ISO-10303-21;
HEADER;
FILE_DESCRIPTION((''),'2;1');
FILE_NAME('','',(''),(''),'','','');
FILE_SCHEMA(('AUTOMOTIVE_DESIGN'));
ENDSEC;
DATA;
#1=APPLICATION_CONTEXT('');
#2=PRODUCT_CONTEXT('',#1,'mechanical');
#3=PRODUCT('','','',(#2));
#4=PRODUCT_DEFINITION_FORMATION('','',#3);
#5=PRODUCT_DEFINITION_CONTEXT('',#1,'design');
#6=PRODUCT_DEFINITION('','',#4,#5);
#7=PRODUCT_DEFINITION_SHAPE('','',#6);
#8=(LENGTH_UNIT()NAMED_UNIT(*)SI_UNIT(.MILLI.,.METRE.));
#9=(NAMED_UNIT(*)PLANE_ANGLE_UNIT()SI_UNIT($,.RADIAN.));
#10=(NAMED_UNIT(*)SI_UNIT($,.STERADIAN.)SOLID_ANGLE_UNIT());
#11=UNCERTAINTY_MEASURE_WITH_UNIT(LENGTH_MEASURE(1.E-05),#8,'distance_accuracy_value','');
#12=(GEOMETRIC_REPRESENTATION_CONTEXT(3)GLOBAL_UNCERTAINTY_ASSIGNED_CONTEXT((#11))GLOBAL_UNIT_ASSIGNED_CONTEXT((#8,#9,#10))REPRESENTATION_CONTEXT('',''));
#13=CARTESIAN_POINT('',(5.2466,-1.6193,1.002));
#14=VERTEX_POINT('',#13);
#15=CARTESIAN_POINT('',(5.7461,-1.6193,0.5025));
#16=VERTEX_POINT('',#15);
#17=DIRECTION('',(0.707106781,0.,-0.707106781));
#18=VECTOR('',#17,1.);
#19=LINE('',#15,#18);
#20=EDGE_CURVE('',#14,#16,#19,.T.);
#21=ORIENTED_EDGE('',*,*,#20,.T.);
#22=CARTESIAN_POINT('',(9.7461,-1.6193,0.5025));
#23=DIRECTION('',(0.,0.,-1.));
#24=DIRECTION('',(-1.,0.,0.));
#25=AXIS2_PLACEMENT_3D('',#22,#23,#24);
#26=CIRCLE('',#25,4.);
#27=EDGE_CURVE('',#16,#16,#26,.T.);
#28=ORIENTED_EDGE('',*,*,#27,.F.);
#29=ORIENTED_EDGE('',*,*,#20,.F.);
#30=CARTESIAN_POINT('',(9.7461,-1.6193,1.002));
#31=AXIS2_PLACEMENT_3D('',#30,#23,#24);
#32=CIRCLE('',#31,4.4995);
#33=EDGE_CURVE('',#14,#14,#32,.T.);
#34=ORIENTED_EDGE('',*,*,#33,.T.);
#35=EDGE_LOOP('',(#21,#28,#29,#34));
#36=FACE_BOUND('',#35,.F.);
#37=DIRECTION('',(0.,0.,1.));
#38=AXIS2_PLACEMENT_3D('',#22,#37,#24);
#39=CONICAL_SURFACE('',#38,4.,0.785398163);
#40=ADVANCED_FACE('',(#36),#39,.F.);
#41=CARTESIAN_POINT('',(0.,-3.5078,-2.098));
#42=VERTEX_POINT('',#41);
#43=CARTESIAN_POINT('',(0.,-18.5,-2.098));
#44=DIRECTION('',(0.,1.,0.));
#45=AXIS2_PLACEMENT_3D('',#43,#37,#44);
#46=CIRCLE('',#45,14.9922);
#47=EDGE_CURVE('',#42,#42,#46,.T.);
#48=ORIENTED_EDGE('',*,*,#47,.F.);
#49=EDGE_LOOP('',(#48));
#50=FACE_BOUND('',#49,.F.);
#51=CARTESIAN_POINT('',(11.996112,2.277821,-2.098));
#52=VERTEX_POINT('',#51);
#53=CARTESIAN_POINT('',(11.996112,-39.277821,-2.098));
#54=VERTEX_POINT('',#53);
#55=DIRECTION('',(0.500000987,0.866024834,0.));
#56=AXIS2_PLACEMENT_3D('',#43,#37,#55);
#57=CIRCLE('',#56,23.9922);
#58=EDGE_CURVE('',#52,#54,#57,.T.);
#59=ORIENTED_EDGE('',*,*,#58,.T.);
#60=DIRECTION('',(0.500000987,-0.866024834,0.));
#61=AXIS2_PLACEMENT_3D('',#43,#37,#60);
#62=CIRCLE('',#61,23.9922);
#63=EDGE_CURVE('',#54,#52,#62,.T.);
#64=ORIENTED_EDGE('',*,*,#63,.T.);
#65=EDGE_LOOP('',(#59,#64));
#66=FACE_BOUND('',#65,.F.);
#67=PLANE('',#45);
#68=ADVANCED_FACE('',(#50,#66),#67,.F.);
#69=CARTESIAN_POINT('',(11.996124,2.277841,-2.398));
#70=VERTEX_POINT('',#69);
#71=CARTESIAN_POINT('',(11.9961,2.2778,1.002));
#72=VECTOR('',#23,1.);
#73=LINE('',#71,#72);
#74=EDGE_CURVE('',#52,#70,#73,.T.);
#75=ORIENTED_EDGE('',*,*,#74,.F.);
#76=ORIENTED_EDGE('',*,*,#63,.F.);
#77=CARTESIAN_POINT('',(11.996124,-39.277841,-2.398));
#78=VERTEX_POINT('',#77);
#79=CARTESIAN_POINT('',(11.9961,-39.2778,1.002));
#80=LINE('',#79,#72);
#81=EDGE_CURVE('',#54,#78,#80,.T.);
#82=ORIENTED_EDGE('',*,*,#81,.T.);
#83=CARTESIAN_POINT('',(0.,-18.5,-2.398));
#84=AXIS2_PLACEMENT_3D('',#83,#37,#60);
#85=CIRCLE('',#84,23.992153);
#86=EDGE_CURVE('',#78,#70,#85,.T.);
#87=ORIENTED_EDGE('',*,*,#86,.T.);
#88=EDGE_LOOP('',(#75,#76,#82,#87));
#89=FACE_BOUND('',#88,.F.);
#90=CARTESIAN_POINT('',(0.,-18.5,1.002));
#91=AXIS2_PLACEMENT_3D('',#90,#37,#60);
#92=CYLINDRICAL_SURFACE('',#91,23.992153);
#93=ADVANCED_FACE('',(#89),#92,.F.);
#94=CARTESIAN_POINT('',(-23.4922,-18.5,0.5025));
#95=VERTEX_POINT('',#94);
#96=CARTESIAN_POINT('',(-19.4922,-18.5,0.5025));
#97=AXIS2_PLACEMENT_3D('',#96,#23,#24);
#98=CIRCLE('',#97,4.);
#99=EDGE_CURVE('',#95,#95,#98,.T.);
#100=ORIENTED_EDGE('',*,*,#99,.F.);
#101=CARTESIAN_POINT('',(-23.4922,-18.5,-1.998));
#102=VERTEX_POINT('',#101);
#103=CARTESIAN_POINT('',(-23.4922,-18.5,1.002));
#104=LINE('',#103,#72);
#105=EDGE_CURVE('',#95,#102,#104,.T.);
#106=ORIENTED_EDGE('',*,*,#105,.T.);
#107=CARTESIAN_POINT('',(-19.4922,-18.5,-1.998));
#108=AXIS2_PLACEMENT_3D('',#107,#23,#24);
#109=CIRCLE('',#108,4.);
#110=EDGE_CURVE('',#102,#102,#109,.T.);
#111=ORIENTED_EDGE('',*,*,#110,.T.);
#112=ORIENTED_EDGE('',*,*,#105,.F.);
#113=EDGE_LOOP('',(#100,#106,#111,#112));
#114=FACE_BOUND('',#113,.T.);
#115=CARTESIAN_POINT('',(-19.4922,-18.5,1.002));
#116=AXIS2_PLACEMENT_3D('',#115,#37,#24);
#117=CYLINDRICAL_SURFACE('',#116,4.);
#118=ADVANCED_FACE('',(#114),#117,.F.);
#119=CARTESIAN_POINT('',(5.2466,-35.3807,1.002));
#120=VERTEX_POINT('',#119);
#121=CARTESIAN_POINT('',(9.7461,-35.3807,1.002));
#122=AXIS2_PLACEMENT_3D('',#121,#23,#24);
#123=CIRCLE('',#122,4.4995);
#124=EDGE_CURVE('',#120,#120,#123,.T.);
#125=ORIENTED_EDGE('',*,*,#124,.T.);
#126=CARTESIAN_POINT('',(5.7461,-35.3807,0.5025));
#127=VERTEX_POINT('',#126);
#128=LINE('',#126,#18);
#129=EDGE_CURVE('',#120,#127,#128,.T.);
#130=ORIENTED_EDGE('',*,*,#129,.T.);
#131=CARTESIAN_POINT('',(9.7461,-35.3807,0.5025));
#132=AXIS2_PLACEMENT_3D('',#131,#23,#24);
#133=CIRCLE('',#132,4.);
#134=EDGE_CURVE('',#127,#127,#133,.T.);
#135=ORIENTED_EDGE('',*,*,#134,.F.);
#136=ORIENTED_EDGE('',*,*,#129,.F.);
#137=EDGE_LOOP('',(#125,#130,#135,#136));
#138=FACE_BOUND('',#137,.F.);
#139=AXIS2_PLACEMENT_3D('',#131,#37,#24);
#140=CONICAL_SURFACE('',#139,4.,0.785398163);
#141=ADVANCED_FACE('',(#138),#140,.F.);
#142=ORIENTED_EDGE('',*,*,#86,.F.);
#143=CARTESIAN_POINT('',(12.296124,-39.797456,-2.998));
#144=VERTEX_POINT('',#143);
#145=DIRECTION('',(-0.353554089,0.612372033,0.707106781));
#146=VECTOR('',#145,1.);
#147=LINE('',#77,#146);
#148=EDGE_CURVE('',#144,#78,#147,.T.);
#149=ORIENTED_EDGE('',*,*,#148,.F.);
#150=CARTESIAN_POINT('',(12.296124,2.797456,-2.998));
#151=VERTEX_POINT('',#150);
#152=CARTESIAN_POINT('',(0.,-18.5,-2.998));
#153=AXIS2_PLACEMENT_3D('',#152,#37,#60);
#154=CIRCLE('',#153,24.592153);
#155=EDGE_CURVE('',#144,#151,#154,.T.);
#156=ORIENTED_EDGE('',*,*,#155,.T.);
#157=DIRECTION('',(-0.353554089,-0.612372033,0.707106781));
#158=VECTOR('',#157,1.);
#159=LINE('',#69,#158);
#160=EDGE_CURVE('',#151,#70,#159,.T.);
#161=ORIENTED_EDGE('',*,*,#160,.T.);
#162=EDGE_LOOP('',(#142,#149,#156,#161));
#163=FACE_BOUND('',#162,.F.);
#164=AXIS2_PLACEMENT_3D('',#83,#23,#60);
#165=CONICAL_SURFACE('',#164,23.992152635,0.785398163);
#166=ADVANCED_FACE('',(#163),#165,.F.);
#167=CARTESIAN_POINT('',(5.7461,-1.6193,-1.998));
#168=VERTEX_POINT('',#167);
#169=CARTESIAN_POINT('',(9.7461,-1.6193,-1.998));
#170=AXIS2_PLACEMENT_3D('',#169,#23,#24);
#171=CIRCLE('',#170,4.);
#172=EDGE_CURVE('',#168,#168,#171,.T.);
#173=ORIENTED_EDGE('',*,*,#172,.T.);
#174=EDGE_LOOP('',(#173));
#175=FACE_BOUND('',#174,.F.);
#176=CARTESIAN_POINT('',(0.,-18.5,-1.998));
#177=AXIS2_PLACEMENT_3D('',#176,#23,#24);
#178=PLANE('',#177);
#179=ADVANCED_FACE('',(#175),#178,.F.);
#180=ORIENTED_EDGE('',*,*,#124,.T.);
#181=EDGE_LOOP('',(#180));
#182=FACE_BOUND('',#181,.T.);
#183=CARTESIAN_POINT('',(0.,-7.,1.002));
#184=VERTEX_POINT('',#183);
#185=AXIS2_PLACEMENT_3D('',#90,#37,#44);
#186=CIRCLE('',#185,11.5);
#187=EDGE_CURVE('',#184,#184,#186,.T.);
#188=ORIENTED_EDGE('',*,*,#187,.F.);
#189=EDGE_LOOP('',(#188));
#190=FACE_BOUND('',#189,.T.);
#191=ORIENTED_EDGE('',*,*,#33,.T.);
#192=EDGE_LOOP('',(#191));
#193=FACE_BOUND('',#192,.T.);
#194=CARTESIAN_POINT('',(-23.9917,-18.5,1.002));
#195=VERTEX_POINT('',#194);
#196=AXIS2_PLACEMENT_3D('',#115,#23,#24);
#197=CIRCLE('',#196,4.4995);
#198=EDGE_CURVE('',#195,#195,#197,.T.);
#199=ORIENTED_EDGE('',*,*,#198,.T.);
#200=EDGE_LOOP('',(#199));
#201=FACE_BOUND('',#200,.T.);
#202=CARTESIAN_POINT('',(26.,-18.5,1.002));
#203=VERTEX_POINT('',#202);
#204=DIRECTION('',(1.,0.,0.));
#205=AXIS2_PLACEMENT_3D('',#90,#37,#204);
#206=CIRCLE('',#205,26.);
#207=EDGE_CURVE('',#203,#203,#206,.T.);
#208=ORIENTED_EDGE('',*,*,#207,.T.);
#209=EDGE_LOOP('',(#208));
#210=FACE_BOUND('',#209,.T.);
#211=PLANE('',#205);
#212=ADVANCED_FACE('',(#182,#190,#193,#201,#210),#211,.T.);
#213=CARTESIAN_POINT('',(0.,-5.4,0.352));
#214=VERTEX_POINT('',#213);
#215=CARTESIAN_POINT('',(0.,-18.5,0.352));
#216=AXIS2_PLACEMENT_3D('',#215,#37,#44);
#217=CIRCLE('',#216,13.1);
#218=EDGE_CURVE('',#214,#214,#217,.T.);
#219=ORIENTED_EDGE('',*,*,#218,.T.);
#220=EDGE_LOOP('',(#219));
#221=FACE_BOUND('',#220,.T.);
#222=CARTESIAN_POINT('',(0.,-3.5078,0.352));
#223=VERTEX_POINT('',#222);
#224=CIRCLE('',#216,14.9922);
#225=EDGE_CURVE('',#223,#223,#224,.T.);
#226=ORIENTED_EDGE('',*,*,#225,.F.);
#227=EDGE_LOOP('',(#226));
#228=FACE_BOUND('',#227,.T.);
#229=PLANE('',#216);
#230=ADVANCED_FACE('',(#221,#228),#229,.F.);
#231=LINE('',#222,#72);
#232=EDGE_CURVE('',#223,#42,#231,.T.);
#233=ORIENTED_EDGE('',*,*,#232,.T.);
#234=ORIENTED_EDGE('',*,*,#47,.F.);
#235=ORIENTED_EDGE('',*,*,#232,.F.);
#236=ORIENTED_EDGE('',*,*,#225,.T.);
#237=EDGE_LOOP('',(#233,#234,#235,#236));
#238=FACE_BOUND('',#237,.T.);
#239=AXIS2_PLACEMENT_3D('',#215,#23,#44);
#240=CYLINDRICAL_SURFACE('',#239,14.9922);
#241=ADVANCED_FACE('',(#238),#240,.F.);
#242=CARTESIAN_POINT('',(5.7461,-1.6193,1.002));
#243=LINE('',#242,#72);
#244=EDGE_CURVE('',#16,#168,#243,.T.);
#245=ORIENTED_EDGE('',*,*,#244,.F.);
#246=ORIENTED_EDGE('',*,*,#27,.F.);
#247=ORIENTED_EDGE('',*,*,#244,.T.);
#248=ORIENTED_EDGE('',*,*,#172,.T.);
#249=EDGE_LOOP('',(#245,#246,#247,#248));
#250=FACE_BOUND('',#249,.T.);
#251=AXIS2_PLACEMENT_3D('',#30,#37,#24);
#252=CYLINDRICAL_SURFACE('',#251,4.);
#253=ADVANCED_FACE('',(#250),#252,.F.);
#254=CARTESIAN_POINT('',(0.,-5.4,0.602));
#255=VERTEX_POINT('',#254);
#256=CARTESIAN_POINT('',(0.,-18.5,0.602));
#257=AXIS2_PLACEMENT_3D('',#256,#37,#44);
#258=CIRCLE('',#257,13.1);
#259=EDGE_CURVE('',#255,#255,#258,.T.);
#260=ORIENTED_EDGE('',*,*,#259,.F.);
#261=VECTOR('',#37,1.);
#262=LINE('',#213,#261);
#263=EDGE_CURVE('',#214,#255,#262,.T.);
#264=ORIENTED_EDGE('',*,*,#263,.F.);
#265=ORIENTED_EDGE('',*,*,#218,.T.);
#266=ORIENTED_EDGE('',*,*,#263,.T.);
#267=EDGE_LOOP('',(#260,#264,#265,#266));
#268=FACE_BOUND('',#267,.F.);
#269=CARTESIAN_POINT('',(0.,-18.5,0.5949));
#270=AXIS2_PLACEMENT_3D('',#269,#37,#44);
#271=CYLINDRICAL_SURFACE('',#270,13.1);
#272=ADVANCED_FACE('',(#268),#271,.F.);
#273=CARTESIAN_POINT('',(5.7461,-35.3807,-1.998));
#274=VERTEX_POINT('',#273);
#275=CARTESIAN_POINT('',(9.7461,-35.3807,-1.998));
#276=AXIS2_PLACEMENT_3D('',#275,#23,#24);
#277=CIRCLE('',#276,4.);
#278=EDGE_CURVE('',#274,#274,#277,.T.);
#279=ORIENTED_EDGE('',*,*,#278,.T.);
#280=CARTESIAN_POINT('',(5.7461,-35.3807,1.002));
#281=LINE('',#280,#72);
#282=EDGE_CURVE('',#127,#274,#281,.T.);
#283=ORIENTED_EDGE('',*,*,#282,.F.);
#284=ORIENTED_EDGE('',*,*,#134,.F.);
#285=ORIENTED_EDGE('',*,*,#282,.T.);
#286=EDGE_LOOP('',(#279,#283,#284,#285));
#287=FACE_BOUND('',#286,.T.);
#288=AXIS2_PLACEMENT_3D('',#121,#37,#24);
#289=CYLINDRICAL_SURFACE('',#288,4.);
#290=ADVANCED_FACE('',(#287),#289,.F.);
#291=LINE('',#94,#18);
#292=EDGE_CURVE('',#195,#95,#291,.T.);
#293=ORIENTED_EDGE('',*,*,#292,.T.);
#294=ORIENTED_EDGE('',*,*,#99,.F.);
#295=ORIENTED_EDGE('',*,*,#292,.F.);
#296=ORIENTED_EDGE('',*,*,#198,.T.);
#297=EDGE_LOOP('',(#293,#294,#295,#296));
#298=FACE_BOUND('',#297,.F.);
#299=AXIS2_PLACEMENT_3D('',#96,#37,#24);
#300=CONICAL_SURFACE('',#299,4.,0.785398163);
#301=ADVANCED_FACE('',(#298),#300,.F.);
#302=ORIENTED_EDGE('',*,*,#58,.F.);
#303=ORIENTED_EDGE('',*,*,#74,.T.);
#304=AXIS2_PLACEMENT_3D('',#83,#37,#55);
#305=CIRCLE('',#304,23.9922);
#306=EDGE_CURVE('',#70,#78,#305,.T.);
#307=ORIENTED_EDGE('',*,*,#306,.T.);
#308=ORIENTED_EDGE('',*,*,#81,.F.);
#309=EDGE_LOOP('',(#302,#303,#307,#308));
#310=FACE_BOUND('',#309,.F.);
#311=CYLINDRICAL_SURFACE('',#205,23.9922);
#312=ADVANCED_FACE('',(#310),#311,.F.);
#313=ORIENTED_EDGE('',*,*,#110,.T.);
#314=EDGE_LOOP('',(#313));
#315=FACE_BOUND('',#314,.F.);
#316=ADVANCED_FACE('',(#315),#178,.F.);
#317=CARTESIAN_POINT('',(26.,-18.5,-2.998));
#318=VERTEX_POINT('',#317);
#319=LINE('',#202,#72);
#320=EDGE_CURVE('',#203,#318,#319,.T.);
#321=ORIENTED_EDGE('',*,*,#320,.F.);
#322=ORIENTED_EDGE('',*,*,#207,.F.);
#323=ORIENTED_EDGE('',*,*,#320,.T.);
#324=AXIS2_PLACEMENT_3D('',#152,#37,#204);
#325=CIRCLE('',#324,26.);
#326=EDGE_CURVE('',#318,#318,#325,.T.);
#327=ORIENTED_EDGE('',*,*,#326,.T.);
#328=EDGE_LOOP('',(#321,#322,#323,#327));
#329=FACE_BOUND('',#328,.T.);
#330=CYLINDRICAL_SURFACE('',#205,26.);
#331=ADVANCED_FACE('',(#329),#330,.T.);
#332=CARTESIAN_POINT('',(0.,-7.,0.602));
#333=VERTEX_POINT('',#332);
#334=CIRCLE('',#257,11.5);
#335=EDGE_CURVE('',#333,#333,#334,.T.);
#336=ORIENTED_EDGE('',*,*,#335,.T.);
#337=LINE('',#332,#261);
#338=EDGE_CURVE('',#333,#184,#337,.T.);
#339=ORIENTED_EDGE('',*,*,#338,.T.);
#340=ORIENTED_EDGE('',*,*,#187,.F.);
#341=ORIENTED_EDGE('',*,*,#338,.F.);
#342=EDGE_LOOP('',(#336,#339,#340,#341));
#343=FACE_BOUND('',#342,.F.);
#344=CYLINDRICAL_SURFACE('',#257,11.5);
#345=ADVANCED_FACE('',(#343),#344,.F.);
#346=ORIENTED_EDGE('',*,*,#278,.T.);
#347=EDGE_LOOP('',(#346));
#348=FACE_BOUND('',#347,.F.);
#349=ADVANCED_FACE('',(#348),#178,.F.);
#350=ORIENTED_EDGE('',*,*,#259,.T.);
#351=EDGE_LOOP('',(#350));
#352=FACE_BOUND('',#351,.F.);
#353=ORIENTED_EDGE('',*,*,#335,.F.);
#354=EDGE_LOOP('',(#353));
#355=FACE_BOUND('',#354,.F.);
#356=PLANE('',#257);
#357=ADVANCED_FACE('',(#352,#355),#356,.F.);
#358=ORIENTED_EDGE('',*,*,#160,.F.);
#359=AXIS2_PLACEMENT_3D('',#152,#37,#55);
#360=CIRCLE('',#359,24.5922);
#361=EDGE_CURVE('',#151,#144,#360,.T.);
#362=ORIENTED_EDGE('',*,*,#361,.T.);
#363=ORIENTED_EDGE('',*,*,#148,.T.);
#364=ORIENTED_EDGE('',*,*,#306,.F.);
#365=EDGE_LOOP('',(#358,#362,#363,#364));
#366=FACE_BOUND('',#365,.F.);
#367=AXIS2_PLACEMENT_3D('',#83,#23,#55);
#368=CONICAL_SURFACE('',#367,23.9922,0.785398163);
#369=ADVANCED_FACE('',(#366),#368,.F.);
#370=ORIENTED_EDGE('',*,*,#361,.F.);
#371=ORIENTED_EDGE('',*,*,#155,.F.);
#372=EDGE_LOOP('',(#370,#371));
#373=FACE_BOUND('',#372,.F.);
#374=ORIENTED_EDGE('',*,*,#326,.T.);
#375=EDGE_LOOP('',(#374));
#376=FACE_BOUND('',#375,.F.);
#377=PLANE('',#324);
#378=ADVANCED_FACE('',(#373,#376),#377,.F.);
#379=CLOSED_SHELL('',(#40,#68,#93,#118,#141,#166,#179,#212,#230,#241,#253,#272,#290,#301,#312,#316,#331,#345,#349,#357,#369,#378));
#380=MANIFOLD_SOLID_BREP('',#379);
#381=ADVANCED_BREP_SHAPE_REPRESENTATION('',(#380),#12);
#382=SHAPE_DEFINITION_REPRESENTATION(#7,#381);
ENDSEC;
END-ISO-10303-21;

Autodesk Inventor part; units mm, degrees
ref_plane "YZ Plane" through (0, 0, 0) normal (1, 0, 0) x (0, 1, 0)
ref_plane "XZ Plane" through (0, 0, 0) normal (0, 1, 0) x (-1, 0, 0)
ref_plane "XY Plane" through (0, 0, 0) normal (0, 0, 1) x (1, 0, 0)
ref_plane "Arbeitsebene1" through (0, -18.5, -1.048) normal (1, 0, 0) x (0, 0, -1)
sketch "Skizze1" plane through (0, -18.5, -1.048) normal (1, 0, 0) x (0, 0, -1)
  line L0 (-1.65, 12.5) -> (-1.5, 12.5)
  line L1 (-1.5, -12.5) -> (-1.5, 12.5) projected
  line L2 (-1.65, 12.5) -> (-1.65, -12.5) projected
  line L3 (8.4324, 0) -> (-3.3304, 0)
  line L4 (-1.6429, 13.1) -> (-1.65, 13.1)
  line L5 (-1.65, 13.1) -> (-1.65, 11.5)
  line L6 (-1.65, 11.5) -> (-2.05, 11.5)
  line L7 (-2.05, 11.5) -> (-2.05, 23.9922)
  line L8 (-2.05, 23.9922) -> (1.05, 23.9922)
  line L9 (1.05, 23.9922) -> (1.05, 14.9922)
  line L10 (1.552, 13.5) -> (-1.048, 13.5) construction
  line L11 (-1.65, 13.1) -> (-1.4, 13.1)
  line L12 (-1.4, 13.1) -> (-1.4, 14.9922)
  line L13 (-1.4, 14.9922) -> (1.05, 14.9922)
  point P0 (-1.048, 18.5)
  dimension "d0" = 0.4
  dimension "d1" = 3.1
  dimension "d2" = 9
  dimension "d3" = 0.6
  dimension "d4" = 0
  dimension "d5" = 1
  dimension "d6" = 0.25
revolve "Umdrehung1" add sketch "Skizze1" angle 360 about axis through (0, -18.5, -9.4804) along (0, 0, 1) contours L2 L6 L7 L8 L9 L13 L12 L11 L4 L5
sketch "Skizze2" plane through (0, -18.5, 1.002) normal (0, 0, -1) x (-1, 0, 0)
  circle A0 centre (0, 0) radius 14.9922 projected
  circle A1 centre (0, 0) radius 23.9922 projected
  line L0 (19.4922, 0) -> (-9.7461, -16.8807) construction
  line L1 (-9.7461, -16.8807) -> (-9.7461, 16.8807) construction
  line L2 (-9.7461, 16.8807) -> (19.4922, 0) construction
  circle A2 centre (19.4922, 0) radius 4
  circle A3 centre (-9.7461, -16.8807) radius 4
  circle A4 centre (-9.7461, 16.8807) radius 4
  point P0 (0, 18.5)
  dimension "d8" = 47.9844
  dimension "d9" = 29.9844
  dimension "d10" = 19.4922
  dimension "d11" = 8
  dimension "d12" = 8
  dimension "d13" = 8
extrude "Extrusion1" cut sketch "Skizze2" along normal blind 3 contours A2 | A3 | A4
chamfer "Fase1" distance 0.5 angle 45 3 edges at (13.7461, -1.6193, 1.002) (13.7461, -35.3807, 1.002) (-15.4922, -18.5, 1.002)
sketch "Skizze3" plane through (0, -18.5, 1.002) normal (0, 0, 1) x (1, 0, 0)
  arc A0 (11.9961, -20.7778) -> (11.9961, 20.7778) centre (0, 0) ccw projected
  circle A1 centre (0, 0) radius 23.9922
  circle A2 centre (0, 0) radius 26
  point P0 (0, 18.5)
  point P1 (11.9961, -20.7778)
  point P2 (11.9961, 20.7778)
  dimension "d19" = 52
extrude "Extrusion2" add sketch "Skizze3" against normal blind 4
chamfer "Fase2" distance 0.6 angle 45 1 edges at (-11.9961, -39.2778, -2.998)
equation "\"d10\" = 0.25 * d9 + 0.25 * d8"
properties part number "02_SMLM_Holdre_Bottom"
